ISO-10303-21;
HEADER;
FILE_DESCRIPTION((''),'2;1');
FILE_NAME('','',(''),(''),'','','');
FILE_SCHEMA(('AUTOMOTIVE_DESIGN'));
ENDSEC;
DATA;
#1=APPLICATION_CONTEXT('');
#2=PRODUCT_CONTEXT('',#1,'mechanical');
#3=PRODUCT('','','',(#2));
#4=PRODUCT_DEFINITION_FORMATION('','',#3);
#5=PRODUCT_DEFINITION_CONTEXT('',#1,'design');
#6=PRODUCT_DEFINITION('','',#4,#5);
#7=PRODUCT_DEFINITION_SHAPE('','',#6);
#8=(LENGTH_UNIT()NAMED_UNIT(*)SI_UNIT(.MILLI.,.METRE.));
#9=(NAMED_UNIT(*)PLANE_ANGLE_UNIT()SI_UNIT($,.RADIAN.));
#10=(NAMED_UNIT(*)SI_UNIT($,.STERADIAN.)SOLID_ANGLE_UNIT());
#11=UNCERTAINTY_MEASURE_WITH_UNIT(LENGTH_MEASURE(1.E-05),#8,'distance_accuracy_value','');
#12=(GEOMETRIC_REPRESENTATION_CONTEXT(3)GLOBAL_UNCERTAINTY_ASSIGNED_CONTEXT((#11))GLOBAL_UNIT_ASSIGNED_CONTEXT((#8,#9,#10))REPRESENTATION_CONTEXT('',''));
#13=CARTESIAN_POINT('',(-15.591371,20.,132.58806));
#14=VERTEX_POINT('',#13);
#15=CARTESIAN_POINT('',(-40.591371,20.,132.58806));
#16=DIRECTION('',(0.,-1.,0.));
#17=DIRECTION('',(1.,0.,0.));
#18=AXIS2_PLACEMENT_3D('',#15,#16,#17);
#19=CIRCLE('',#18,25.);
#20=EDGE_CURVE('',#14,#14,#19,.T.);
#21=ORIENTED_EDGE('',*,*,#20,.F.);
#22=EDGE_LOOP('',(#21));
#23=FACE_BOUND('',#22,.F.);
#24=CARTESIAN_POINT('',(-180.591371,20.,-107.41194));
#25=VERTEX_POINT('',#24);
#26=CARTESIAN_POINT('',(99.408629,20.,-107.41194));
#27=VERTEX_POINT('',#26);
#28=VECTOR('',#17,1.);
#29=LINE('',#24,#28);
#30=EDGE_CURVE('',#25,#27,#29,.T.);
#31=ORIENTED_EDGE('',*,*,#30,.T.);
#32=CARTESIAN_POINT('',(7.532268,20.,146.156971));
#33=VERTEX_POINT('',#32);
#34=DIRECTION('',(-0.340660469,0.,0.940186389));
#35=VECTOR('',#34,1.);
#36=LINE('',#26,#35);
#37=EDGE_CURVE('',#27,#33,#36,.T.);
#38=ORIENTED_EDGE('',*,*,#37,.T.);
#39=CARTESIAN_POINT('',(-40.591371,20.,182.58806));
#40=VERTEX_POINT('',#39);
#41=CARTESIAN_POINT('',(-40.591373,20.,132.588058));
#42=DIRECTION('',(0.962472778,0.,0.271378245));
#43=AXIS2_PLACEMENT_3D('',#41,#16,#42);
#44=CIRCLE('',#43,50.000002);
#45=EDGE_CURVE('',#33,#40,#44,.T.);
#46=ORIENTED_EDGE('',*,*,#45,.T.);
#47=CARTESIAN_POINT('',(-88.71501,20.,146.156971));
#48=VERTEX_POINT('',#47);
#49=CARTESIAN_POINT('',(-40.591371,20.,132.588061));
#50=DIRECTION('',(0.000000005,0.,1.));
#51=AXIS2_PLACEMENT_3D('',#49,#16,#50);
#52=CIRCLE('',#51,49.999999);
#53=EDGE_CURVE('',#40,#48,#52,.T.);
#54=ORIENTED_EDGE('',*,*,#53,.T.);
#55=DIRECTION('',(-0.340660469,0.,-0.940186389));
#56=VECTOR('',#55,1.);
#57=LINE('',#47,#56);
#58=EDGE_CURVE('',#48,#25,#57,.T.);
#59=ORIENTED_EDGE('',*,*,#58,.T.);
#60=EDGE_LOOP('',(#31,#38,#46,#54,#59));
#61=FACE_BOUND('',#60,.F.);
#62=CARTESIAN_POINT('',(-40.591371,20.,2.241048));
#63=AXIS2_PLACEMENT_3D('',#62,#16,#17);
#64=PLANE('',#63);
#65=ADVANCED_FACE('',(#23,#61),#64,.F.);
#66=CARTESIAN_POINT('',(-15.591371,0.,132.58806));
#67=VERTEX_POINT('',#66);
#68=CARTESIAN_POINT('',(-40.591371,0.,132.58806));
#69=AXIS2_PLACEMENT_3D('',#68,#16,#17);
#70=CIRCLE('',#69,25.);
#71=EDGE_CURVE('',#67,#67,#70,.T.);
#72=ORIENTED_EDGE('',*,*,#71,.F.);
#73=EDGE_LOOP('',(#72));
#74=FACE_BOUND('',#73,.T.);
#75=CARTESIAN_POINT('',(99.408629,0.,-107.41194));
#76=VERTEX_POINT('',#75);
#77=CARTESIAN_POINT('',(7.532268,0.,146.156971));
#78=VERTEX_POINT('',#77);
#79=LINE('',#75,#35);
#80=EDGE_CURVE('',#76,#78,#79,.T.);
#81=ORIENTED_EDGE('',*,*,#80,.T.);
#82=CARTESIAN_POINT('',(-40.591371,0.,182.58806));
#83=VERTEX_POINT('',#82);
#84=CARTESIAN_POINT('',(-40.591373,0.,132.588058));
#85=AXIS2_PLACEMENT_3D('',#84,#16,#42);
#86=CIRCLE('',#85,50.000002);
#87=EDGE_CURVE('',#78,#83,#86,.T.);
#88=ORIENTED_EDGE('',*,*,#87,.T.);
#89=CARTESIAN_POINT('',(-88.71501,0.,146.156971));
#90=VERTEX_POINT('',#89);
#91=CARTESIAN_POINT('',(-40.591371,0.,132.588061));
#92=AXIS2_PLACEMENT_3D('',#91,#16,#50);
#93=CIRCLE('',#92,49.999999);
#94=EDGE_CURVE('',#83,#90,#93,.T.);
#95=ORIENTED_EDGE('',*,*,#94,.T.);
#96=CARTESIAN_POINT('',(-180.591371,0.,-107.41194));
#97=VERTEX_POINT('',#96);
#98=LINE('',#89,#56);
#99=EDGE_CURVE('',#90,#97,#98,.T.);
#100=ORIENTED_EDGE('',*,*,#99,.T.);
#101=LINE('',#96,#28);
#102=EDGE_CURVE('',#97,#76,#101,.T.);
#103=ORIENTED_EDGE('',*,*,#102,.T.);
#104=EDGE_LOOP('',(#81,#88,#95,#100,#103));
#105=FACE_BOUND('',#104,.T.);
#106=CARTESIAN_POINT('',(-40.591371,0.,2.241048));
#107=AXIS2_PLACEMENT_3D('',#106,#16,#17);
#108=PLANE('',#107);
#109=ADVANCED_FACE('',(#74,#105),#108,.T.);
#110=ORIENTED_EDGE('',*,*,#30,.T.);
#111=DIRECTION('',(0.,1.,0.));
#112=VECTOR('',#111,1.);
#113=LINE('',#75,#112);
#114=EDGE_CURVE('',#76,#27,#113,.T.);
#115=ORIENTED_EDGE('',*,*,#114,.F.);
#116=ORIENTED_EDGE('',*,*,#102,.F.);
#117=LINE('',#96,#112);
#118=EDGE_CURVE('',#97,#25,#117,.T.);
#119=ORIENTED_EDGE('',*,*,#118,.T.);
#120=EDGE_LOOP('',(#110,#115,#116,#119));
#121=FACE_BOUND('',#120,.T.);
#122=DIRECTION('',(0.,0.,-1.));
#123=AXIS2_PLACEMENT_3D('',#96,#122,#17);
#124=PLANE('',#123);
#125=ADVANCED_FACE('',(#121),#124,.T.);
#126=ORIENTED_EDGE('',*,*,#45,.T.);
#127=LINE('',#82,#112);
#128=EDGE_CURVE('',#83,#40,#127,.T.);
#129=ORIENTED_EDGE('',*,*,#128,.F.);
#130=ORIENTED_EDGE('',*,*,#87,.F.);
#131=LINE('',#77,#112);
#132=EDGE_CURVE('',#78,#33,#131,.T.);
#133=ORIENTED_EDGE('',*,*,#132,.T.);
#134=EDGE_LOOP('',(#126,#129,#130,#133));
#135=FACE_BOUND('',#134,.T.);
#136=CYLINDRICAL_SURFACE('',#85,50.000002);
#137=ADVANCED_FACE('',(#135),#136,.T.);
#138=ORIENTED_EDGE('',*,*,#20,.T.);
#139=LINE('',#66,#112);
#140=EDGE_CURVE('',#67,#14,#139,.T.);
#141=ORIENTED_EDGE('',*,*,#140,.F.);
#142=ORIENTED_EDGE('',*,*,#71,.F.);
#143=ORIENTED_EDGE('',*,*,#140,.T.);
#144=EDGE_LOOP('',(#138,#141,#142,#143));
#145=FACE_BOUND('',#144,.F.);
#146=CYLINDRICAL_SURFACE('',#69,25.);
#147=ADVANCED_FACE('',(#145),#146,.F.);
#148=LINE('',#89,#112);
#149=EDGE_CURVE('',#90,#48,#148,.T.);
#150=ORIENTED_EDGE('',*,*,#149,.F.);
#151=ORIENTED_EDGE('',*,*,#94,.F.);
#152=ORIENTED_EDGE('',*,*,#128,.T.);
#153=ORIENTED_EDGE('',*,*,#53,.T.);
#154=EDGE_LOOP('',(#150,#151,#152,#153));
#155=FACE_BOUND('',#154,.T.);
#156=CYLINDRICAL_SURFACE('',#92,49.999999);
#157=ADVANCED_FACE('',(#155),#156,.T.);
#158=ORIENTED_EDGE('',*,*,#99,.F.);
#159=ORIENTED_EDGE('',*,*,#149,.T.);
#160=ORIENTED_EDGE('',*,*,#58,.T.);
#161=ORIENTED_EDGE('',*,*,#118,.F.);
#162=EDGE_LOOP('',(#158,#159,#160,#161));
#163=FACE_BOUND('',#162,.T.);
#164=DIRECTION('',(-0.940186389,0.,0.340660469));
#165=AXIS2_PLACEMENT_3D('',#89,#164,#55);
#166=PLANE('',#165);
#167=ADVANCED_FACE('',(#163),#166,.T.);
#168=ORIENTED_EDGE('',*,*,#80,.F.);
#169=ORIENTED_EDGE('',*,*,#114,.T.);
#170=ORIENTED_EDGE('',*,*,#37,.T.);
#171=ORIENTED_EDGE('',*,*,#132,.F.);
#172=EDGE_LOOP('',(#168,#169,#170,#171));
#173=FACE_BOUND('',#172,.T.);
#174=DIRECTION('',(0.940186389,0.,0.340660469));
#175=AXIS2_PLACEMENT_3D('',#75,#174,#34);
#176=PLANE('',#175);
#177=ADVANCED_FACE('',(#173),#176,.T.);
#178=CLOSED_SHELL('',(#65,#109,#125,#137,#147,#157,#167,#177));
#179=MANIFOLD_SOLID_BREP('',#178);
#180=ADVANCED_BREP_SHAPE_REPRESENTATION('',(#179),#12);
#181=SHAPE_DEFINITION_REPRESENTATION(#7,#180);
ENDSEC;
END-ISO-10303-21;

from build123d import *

# Parameters (mm, degrees)
F0_R     = 25
F1_DEPTH = 20


with BuildPart() as f1:
    # F0 (on Front) → F1 (new body)
    with BuildSketch(Plane.XZ):
        with BuildLine():
            Line((-88.71501, 146.156971), (-180.591371, -107.41194))
            Line((-180.591371, -107.41194), (-40.591371, -107.41194))
            Line((-40.591371, -107.41194), (99.408629, -107.41194))
            Line((99.408629, -107.41194), (7.532268, 146.156971))
            ThreePointArc((7.532268, 146.156971), (-10.412286, 172.453117), (-40.591371, 182.58806))
            ThreePointArc((-40.591371, 182.58806), (-70.770457, 172.453117), (-88.71501, 146.156971))
        make_face()
        with Locations((-40.591371, 132.58806)):
            Circle(F0_R, mode=Mode.SUBTRACT)
    extrude(amount=-F1_DEPTH)


solid = f1.part
